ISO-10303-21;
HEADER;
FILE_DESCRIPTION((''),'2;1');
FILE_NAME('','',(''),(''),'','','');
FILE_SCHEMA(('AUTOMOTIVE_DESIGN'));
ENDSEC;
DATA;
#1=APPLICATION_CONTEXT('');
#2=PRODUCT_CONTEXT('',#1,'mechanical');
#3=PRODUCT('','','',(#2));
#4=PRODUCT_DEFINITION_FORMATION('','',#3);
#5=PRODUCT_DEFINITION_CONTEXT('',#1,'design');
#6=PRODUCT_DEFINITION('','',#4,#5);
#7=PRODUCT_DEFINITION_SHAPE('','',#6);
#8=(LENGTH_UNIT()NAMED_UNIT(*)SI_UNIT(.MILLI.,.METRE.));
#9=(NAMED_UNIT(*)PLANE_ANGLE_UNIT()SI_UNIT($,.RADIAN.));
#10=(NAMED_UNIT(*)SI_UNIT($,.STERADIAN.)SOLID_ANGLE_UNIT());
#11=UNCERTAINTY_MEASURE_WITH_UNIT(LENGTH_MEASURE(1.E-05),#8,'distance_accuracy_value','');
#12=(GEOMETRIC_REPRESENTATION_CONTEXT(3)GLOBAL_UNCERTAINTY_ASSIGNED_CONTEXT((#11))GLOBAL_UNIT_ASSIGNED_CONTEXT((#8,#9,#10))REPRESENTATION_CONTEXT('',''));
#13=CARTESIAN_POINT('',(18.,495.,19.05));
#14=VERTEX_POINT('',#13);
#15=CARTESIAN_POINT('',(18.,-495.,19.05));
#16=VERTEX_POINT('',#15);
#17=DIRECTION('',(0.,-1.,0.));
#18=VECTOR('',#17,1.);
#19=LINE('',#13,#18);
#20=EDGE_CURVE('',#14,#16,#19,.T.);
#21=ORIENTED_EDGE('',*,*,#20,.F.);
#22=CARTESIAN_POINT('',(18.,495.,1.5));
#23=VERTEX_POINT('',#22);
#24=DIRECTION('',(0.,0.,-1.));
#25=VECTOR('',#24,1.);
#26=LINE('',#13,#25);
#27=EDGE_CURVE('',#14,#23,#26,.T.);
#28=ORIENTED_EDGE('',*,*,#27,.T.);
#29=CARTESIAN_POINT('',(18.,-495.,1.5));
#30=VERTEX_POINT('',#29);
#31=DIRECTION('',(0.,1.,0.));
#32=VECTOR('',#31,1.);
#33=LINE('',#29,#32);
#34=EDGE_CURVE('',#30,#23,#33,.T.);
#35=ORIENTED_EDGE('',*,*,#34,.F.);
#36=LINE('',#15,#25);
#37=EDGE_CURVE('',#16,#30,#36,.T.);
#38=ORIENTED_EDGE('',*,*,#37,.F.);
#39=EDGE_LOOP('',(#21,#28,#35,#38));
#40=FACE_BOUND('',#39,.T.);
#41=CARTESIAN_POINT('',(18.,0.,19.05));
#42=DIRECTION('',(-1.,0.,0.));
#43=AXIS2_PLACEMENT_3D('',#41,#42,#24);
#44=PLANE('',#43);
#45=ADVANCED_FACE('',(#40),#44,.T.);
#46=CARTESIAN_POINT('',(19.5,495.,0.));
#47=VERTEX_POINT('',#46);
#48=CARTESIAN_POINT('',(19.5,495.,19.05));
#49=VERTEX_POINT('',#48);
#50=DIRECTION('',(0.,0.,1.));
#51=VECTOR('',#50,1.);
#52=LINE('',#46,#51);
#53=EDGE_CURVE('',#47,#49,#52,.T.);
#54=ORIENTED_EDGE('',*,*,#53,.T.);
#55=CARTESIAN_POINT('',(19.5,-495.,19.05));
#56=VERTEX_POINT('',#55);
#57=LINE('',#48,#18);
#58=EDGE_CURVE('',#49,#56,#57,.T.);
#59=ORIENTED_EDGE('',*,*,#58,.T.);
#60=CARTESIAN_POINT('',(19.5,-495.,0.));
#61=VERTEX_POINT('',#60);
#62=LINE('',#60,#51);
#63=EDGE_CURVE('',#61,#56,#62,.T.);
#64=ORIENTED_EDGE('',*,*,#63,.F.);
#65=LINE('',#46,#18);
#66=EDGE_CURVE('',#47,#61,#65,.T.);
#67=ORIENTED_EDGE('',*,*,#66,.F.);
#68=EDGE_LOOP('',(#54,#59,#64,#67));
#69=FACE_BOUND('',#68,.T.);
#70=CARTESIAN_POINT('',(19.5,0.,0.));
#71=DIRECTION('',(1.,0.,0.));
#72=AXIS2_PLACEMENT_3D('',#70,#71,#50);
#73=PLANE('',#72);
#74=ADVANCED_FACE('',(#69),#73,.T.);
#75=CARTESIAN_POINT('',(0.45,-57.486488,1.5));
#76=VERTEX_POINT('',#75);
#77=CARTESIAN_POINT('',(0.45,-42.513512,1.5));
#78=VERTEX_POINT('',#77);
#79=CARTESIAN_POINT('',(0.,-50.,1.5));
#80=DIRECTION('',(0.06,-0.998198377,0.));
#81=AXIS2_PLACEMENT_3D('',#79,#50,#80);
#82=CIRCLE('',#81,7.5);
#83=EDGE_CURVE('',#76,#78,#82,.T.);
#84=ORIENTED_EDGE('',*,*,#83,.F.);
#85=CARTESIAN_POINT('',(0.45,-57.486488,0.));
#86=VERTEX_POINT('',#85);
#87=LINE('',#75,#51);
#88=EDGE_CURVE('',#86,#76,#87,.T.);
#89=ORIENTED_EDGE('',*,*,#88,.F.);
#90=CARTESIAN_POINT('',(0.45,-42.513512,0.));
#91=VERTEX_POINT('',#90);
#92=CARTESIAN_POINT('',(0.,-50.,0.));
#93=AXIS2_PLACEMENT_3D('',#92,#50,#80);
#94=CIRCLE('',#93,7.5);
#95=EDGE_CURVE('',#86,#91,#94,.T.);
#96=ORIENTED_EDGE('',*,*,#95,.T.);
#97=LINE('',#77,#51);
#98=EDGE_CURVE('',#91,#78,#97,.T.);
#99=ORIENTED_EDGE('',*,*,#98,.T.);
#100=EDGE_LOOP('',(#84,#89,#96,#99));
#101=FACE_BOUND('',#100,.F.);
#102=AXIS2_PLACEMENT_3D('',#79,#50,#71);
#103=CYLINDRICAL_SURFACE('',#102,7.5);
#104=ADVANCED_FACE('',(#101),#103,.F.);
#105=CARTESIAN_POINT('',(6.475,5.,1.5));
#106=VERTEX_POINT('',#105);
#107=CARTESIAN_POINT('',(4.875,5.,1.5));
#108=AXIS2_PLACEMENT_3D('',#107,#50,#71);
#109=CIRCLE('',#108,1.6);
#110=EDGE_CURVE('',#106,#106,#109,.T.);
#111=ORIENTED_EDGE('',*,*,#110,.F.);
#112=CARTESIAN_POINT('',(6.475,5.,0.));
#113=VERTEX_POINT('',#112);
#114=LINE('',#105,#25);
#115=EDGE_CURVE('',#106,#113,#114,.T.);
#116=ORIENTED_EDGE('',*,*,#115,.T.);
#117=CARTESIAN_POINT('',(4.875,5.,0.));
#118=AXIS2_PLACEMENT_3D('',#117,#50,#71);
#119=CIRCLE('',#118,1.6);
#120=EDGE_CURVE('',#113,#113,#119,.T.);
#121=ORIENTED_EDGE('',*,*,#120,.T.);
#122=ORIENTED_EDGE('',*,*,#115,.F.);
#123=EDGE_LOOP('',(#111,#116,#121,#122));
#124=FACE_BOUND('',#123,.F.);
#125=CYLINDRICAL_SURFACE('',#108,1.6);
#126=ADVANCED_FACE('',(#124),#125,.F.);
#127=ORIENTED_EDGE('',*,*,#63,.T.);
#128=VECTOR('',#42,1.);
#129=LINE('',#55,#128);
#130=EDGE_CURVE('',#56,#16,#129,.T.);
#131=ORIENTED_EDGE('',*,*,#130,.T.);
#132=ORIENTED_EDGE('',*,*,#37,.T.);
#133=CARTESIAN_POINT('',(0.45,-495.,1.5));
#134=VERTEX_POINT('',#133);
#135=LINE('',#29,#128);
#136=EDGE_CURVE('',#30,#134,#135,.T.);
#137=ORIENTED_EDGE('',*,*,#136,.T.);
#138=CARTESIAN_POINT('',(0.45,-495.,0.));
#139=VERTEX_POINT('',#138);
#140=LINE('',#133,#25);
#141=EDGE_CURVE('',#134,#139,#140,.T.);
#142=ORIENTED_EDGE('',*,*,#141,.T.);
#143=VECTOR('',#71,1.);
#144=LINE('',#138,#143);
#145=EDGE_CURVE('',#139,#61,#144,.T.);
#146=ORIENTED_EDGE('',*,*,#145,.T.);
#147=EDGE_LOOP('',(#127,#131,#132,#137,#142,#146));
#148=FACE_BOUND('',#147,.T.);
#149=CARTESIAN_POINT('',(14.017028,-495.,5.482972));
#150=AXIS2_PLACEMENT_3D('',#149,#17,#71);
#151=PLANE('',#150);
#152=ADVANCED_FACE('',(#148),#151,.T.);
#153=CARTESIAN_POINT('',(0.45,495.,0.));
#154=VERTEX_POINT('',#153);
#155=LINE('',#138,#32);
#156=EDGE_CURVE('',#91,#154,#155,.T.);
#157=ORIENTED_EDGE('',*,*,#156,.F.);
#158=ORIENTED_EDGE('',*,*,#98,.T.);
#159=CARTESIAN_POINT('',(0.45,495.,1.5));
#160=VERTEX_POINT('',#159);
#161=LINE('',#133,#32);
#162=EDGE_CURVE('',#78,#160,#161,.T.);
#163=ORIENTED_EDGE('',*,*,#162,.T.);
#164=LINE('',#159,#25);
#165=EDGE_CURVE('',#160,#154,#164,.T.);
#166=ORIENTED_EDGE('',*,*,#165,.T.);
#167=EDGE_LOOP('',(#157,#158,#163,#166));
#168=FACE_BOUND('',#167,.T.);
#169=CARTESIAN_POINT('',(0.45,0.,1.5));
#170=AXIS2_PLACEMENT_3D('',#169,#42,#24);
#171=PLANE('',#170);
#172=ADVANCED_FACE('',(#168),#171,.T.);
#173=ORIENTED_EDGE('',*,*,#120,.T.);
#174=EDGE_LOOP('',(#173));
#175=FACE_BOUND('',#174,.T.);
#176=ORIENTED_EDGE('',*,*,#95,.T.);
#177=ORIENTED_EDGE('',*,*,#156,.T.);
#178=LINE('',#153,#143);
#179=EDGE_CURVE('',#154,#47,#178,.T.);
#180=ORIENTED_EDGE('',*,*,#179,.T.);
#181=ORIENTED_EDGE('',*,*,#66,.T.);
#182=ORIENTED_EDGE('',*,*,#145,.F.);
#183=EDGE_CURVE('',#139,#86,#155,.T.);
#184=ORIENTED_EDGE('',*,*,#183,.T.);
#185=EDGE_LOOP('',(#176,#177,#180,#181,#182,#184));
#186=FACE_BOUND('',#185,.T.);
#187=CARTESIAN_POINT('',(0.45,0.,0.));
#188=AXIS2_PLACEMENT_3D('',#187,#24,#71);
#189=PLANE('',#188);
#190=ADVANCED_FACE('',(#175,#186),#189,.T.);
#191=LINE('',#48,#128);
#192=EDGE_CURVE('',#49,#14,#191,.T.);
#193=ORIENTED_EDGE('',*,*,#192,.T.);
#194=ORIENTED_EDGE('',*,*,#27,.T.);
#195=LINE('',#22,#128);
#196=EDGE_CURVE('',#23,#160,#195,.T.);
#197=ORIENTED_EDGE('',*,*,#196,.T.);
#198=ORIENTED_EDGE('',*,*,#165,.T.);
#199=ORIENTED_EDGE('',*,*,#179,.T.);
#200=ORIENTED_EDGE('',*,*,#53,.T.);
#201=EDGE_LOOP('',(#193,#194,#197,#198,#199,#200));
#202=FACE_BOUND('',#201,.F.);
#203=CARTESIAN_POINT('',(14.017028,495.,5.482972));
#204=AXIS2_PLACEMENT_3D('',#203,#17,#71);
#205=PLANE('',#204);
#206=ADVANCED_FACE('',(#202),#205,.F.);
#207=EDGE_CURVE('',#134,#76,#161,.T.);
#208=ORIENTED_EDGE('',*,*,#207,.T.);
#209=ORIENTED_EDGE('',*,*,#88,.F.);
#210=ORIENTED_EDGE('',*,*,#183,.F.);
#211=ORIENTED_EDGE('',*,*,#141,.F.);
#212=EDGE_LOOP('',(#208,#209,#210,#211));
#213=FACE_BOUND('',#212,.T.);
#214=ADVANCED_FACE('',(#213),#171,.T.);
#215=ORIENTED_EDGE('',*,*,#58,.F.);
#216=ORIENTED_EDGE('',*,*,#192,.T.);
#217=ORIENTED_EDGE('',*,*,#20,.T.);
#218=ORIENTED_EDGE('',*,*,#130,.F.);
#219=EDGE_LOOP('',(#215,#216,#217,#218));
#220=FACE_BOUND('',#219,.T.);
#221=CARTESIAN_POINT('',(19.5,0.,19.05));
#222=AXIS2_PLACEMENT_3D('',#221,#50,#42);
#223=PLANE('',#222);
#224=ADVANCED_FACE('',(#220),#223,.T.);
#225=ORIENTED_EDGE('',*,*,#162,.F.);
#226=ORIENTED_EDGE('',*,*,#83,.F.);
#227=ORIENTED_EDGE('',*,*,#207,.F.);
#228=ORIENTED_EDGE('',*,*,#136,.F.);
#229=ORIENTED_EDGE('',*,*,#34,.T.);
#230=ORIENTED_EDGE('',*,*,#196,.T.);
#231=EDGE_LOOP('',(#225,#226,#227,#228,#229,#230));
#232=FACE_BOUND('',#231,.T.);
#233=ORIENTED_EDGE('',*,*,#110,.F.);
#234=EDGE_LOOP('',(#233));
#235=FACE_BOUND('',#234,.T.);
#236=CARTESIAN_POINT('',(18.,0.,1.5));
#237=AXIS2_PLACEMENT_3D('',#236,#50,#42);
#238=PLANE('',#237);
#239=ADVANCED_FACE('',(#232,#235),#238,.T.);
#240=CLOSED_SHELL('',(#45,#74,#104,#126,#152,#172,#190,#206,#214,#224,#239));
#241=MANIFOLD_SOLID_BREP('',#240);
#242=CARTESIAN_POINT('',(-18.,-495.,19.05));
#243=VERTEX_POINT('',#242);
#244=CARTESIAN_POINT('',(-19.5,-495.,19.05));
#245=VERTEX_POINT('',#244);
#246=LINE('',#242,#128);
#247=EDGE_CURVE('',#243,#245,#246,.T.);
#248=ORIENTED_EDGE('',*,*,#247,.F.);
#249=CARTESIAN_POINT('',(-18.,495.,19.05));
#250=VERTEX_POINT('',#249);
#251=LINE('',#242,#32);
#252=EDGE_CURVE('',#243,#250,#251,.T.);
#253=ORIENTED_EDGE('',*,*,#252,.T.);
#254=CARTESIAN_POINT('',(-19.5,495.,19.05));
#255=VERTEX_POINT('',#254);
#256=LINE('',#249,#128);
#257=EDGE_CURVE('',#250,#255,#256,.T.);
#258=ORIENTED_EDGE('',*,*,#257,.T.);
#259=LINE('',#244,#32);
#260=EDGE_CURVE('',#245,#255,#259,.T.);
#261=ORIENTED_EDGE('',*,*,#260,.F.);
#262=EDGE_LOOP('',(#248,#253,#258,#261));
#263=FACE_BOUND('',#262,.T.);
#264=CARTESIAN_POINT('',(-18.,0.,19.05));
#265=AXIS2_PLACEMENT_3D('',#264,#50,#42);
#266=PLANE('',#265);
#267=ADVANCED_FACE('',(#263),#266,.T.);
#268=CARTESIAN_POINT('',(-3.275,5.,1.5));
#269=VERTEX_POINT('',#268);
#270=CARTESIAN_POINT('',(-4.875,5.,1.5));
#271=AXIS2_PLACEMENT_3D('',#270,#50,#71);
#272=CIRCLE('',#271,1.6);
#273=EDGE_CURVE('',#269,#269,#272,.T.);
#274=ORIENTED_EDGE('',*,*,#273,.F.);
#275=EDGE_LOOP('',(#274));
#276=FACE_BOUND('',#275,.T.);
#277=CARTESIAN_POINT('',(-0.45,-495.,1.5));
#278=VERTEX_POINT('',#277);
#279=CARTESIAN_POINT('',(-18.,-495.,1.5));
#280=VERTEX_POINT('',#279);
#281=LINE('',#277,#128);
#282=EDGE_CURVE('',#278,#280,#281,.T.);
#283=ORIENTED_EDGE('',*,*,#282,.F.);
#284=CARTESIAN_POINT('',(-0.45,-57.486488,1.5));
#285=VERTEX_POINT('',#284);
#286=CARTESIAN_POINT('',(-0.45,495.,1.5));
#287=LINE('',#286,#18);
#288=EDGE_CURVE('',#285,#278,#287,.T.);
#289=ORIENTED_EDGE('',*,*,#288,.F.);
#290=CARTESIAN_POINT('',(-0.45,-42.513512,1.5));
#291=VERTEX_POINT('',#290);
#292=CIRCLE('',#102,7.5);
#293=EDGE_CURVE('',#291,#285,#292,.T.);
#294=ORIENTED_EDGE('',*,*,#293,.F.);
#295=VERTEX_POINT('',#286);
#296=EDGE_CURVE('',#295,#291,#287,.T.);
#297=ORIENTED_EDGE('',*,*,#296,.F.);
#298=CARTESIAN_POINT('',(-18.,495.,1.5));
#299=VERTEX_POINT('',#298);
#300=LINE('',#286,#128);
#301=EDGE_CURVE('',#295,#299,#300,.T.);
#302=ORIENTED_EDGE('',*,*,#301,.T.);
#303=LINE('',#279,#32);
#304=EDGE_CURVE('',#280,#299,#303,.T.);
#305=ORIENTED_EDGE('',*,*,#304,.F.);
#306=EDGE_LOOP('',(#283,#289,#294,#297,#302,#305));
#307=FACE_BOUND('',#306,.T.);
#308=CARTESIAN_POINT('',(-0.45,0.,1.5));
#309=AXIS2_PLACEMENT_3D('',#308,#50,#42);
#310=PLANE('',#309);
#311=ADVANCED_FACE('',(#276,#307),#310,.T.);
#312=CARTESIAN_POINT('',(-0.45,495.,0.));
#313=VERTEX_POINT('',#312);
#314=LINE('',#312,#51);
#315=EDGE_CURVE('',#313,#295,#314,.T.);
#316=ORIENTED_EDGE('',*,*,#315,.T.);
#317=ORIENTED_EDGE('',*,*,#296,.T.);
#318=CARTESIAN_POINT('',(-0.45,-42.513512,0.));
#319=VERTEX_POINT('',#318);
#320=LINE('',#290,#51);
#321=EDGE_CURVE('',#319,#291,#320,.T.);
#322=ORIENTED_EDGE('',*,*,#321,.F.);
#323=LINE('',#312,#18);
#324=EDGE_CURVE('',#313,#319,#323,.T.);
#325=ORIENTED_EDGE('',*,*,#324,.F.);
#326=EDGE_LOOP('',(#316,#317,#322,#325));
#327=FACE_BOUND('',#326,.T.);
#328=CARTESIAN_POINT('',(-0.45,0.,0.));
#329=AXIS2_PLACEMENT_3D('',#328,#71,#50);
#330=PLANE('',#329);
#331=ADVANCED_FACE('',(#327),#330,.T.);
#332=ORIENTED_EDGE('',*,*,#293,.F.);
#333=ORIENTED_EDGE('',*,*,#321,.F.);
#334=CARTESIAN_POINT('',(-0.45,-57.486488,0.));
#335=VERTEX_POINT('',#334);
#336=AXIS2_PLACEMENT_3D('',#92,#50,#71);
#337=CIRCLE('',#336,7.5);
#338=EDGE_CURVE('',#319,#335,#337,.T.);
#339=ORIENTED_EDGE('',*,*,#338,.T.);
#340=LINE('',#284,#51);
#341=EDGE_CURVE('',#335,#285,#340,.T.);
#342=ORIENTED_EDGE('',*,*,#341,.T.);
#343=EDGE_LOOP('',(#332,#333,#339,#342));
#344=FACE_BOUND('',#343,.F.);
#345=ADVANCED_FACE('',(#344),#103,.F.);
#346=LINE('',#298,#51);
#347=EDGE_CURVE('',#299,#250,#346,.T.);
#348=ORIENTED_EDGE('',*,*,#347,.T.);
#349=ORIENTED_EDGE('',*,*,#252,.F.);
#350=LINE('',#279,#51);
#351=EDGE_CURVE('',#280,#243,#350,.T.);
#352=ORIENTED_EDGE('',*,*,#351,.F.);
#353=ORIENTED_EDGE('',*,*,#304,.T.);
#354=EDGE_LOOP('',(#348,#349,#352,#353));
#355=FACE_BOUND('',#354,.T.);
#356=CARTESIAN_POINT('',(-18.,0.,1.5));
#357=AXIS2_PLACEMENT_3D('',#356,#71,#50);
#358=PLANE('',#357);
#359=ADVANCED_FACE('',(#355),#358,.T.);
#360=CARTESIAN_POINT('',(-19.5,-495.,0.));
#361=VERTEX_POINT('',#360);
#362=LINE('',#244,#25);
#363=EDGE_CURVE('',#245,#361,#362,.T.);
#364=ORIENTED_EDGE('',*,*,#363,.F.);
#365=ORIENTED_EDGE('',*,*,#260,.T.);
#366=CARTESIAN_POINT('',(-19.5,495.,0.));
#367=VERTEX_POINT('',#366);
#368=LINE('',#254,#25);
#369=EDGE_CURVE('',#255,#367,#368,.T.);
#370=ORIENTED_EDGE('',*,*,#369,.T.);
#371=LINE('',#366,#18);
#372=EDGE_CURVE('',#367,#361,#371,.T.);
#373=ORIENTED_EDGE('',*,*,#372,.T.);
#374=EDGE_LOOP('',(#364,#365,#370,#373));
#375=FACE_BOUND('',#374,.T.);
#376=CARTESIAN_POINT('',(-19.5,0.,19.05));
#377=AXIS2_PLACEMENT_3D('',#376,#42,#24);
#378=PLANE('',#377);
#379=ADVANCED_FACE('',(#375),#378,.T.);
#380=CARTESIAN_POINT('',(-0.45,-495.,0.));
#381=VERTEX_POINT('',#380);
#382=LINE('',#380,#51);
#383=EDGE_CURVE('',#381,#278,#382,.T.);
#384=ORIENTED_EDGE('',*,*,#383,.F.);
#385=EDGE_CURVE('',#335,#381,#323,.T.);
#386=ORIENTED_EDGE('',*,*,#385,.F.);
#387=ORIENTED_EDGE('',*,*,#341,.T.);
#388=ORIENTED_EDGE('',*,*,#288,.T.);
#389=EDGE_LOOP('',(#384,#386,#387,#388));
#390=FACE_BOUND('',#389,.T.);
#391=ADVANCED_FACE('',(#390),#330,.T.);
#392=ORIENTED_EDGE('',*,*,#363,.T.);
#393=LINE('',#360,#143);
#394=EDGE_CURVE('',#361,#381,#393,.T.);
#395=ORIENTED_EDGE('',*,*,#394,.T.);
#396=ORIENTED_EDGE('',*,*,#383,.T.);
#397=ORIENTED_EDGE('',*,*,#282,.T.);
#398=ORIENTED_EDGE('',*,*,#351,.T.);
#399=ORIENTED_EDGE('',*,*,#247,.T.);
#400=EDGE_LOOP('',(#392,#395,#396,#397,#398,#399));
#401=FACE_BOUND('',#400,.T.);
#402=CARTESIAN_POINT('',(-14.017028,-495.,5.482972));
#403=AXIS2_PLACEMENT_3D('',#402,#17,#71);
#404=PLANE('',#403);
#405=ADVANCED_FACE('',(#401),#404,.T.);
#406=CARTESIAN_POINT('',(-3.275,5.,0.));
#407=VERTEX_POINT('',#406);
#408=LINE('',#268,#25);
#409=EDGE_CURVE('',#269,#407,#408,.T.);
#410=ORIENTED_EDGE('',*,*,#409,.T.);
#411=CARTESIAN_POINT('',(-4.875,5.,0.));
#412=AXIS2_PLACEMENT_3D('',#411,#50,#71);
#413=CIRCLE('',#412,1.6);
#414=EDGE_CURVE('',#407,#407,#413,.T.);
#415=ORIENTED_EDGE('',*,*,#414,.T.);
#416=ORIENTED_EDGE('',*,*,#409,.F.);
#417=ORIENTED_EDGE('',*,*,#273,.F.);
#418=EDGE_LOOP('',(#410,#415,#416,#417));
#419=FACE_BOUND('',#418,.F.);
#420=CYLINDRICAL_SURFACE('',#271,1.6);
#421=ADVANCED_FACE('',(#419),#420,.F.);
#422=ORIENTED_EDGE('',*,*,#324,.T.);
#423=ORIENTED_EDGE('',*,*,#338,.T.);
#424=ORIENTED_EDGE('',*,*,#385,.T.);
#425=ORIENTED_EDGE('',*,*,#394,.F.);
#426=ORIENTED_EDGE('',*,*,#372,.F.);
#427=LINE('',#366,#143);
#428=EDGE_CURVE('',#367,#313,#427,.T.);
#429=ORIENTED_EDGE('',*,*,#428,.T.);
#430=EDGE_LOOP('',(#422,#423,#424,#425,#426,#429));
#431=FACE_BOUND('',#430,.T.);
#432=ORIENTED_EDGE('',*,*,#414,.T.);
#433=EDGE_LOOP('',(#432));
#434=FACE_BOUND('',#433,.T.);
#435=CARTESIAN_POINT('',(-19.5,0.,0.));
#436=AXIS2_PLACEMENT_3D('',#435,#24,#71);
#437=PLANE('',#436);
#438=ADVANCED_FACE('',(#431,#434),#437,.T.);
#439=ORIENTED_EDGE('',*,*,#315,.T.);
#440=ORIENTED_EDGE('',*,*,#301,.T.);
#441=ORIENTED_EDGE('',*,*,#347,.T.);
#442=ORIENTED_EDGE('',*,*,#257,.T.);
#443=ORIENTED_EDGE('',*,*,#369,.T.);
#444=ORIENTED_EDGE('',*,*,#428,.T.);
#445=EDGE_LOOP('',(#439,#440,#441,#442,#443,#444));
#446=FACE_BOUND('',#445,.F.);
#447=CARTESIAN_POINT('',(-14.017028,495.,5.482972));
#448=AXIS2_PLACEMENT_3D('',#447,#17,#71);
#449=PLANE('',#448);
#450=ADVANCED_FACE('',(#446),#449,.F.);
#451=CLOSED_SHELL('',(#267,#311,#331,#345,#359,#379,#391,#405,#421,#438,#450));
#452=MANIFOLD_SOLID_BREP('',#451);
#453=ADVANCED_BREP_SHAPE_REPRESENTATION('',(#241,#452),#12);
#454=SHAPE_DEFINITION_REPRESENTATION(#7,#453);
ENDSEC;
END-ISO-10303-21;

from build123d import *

# Parameters (mm, degrees)
F1_DEPTH = 495
F2_R     = 1.6
F3_DEPTH = 1.501
F4_R     = 7.5
F5_DEPTH = 1.501


with BuildPart() as f1:
    # F0 (on Front) → F1 (new body, symmetric)
    with BuildSketch(Plane.XZ):
        Polygon((-19.5, 19.05), (-19.5, 0), (-0.45, 0), (-0.45, 1.5), (-18, 1.5), (-18, 19.05), align=None)
    extrude(amount=F1_DEPTH, both=True)


with BuildPart() as f1b:
    # F0 (on Front) → F1, piece 2 (new body, symmetric)
    with BuildSketch(Plane.XZ):
        Polygon((0.45, 0), (19.5, 0), (19.5, 19.05), (18, 19.05), (18, 1.5), (0.45, 1.5), align=None)
    extrude(amount=F1_DEPTH, both=True)


with BuildPart() as f3_tool:
    # F2 (on face) → F3 (new body, through all)
    with BuildSketch(Plane.XY.offset(1.5)):
        with Locations((-4.875, 5)):
            Circle(F2_R)
        with Locations((4.875, 5)):
            Circle(F2_R)
    extrude(amount=-F3_DEPTH)


with BuildPart() as f1_1:
    add(f1.part)

    # F3: cut by f3_tool
    add(f3_tool.part, mode=Mode.SUBTRACT)


with BuildPart() as f1b_1:
    add(f1b.part)

    # F3: cut by f3_tool
    add(f3_tool.part, mode=Mode.SUBTRACT)


with BuildPart() as f5_tool:
    # F4 (on face) → F5 (new body, through all)
    with BuildSketch(Plane.XY.offset(1.5)):
        with Locations((0, -50)):
            Circle(F4_R)
    extrude(amount=-F5_DEPTH)


with BuildPart() as f1_2:
    add(f1_1.part)

    # F5: cut by f5_tool
    add(f5_tool.part, mode=Mode.SUBTRACT)


with BuildPart() as f1b_2:
    add(f1b_1.part)

    # F5: cut by f5_tool
    add(f5_tool.part, mode=Mode.SUBTRACT)


solid = Compound([f1_2.part, f1b_2.part])
